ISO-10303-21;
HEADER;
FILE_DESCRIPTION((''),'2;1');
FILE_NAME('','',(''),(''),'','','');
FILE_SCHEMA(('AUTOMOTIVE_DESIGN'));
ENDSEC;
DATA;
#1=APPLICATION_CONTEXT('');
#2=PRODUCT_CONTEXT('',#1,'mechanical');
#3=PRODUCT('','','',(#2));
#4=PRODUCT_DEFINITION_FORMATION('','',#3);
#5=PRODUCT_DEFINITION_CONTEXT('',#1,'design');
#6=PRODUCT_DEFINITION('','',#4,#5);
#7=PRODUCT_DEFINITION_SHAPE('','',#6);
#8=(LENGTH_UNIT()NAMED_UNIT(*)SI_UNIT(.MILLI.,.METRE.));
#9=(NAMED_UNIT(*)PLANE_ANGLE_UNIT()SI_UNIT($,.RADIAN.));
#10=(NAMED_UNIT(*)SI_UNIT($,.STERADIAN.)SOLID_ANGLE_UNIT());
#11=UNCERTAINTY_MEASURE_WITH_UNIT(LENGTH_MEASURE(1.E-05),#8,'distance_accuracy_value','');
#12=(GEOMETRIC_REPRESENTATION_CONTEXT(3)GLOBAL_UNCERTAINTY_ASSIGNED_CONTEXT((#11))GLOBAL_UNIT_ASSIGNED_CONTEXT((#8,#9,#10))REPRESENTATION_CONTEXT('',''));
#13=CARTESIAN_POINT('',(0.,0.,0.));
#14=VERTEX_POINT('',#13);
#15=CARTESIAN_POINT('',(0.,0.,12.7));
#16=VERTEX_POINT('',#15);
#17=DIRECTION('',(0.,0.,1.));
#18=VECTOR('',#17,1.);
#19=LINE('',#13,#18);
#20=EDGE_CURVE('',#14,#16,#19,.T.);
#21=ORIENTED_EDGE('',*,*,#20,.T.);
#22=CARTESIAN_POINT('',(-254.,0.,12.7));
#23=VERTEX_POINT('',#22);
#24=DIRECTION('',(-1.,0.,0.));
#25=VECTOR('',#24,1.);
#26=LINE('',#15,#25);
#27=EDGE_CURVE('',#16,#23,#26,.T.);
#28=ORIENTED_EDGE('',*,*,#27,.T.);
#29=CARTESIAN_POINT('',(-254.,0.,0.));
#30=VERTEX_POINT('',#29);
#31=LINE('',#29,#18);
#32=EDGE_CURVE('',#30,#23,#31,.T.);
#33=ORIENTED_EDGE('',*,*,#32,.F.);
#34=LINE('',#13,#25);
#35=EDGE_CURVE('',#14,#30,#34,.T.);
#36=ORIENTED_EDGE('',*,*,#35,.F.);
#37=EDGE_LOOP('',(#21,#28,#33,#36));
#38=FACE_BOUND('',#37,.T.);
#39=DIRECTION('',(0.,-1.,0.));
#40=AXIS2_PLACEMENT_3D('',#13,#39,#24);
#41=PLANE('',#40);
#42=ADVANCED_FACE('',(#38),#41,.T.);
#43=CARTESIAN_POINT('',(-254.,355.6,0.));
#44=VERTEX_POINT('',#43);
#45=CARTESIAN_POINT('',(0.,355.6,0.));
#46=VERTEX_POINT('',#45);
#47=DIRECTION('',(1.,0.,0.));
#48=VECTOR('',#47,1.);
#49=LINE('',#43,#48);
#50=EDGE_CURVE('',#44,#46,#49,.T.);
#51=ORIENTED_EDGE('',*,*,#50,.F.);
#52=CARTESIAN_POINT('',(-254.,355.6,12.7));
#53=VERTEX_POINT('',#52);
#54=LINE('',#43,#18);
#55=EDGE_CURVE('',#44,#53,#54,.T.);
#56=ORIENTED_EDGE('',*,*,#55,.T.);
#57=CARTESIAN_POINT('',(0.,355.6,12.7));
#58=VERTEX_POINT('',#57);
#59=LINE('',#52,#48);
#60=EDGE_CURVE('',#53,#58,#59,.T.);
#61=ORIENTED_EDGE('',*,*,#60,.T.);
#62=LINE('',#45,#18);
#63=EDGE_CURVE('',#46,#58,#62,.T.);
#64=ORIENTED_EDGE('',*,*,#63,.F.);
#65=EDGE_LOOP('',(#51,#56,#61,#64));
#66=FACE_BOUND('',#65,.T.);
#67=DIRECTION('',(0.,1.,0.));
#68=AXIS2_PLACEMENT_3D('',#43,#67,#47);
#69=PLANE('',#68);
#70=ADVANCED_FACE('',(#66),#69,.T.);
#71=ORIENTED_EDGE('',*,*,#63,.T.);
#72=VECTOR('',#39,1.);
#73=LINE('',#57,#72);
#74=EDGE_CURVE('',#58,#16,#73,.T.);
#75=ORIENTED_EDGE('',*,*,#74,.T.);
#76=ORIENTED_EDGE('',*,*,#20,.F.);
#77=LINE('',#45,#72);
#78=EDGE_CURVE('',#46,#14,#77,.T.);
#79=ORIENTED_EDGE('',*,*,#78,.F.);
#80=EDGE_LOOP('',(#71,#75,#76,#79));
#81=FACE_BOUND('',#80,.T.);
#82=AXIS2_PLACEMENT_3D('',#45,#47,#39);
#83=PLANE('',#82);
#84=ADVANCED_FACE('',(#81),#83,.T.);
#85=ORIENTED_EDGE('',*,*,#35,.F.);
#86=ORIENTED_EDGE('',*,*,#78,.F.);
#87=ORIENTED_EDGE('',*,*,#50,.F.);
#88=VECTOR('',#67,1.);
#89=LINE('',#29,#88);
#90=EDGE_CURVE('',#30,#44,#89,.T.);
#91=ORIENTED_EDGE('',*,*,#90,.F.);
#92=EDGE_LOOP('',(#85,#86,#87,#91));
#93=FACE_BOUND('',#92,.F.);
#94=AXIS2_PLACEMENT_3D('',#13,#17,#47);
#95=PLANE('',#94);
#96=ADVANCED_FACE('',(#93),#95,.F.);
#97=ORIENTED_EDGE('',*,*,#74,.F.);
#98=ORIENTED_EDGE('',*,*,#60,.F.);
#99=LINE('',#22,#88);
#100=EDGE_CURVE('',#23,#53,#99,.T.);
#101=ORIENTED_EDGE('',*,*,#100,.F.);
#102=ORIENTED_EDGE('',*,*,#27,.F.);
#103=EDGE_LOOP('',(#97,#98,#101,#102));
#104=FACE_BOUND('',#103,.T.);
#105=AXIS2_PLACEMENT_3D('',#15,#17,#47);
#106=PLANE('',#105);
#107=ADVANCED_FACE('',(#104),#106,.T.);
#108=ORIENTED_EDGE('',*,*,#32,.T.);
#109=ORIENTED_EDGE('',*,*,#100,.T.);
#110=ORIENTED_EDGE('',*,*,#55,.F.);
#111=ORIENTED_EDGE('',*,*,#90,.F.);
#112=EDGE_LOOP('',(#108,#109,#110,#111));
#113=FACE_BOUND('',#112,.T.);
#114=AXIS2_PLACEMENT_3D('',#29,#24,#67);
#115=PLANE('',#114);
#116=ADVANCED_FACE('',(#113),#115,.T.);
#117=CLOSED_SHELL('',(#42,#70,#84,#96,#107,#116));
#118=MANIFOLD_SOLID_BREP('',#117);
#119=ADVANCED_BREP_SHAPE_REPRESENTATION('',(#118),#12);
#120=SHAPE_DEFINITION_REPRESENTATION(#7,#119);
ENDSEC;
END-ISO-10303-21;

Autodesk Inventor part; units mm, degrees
ref_plane "YZ Plane" through (0, 0, 0) normal (1, 0, 0) x (0, 1, 0)
ref_plane "XZ Plane" through (0, 0, 0) normal (0, 1, 0) x (-1, 0, 0)
ref_plane "XY Plane" through (0, 0, 0) normal (0, 0, 1) x (1, 0, 0)
sketch "Sketch1" plane through (0, 0, 0) normal (0, 0, 1) x (1, 0, 0)
  line L0 (0, 0) -> (-254, 0)
  line L1 (-254, 0) -> (-254, 355.6)
  line L2 (-254, 355.6) -> (0, 355.6)
  line L3 (0, 355.6) -> (0, 0)
  dimension "d0" = 254
  dimension "d1" = 355.6
extrude "Extrusion1" add sketch "Sketch1" along normal blind 12.7
properties part number "toppoly" material "Polycarbonate, Clear"
